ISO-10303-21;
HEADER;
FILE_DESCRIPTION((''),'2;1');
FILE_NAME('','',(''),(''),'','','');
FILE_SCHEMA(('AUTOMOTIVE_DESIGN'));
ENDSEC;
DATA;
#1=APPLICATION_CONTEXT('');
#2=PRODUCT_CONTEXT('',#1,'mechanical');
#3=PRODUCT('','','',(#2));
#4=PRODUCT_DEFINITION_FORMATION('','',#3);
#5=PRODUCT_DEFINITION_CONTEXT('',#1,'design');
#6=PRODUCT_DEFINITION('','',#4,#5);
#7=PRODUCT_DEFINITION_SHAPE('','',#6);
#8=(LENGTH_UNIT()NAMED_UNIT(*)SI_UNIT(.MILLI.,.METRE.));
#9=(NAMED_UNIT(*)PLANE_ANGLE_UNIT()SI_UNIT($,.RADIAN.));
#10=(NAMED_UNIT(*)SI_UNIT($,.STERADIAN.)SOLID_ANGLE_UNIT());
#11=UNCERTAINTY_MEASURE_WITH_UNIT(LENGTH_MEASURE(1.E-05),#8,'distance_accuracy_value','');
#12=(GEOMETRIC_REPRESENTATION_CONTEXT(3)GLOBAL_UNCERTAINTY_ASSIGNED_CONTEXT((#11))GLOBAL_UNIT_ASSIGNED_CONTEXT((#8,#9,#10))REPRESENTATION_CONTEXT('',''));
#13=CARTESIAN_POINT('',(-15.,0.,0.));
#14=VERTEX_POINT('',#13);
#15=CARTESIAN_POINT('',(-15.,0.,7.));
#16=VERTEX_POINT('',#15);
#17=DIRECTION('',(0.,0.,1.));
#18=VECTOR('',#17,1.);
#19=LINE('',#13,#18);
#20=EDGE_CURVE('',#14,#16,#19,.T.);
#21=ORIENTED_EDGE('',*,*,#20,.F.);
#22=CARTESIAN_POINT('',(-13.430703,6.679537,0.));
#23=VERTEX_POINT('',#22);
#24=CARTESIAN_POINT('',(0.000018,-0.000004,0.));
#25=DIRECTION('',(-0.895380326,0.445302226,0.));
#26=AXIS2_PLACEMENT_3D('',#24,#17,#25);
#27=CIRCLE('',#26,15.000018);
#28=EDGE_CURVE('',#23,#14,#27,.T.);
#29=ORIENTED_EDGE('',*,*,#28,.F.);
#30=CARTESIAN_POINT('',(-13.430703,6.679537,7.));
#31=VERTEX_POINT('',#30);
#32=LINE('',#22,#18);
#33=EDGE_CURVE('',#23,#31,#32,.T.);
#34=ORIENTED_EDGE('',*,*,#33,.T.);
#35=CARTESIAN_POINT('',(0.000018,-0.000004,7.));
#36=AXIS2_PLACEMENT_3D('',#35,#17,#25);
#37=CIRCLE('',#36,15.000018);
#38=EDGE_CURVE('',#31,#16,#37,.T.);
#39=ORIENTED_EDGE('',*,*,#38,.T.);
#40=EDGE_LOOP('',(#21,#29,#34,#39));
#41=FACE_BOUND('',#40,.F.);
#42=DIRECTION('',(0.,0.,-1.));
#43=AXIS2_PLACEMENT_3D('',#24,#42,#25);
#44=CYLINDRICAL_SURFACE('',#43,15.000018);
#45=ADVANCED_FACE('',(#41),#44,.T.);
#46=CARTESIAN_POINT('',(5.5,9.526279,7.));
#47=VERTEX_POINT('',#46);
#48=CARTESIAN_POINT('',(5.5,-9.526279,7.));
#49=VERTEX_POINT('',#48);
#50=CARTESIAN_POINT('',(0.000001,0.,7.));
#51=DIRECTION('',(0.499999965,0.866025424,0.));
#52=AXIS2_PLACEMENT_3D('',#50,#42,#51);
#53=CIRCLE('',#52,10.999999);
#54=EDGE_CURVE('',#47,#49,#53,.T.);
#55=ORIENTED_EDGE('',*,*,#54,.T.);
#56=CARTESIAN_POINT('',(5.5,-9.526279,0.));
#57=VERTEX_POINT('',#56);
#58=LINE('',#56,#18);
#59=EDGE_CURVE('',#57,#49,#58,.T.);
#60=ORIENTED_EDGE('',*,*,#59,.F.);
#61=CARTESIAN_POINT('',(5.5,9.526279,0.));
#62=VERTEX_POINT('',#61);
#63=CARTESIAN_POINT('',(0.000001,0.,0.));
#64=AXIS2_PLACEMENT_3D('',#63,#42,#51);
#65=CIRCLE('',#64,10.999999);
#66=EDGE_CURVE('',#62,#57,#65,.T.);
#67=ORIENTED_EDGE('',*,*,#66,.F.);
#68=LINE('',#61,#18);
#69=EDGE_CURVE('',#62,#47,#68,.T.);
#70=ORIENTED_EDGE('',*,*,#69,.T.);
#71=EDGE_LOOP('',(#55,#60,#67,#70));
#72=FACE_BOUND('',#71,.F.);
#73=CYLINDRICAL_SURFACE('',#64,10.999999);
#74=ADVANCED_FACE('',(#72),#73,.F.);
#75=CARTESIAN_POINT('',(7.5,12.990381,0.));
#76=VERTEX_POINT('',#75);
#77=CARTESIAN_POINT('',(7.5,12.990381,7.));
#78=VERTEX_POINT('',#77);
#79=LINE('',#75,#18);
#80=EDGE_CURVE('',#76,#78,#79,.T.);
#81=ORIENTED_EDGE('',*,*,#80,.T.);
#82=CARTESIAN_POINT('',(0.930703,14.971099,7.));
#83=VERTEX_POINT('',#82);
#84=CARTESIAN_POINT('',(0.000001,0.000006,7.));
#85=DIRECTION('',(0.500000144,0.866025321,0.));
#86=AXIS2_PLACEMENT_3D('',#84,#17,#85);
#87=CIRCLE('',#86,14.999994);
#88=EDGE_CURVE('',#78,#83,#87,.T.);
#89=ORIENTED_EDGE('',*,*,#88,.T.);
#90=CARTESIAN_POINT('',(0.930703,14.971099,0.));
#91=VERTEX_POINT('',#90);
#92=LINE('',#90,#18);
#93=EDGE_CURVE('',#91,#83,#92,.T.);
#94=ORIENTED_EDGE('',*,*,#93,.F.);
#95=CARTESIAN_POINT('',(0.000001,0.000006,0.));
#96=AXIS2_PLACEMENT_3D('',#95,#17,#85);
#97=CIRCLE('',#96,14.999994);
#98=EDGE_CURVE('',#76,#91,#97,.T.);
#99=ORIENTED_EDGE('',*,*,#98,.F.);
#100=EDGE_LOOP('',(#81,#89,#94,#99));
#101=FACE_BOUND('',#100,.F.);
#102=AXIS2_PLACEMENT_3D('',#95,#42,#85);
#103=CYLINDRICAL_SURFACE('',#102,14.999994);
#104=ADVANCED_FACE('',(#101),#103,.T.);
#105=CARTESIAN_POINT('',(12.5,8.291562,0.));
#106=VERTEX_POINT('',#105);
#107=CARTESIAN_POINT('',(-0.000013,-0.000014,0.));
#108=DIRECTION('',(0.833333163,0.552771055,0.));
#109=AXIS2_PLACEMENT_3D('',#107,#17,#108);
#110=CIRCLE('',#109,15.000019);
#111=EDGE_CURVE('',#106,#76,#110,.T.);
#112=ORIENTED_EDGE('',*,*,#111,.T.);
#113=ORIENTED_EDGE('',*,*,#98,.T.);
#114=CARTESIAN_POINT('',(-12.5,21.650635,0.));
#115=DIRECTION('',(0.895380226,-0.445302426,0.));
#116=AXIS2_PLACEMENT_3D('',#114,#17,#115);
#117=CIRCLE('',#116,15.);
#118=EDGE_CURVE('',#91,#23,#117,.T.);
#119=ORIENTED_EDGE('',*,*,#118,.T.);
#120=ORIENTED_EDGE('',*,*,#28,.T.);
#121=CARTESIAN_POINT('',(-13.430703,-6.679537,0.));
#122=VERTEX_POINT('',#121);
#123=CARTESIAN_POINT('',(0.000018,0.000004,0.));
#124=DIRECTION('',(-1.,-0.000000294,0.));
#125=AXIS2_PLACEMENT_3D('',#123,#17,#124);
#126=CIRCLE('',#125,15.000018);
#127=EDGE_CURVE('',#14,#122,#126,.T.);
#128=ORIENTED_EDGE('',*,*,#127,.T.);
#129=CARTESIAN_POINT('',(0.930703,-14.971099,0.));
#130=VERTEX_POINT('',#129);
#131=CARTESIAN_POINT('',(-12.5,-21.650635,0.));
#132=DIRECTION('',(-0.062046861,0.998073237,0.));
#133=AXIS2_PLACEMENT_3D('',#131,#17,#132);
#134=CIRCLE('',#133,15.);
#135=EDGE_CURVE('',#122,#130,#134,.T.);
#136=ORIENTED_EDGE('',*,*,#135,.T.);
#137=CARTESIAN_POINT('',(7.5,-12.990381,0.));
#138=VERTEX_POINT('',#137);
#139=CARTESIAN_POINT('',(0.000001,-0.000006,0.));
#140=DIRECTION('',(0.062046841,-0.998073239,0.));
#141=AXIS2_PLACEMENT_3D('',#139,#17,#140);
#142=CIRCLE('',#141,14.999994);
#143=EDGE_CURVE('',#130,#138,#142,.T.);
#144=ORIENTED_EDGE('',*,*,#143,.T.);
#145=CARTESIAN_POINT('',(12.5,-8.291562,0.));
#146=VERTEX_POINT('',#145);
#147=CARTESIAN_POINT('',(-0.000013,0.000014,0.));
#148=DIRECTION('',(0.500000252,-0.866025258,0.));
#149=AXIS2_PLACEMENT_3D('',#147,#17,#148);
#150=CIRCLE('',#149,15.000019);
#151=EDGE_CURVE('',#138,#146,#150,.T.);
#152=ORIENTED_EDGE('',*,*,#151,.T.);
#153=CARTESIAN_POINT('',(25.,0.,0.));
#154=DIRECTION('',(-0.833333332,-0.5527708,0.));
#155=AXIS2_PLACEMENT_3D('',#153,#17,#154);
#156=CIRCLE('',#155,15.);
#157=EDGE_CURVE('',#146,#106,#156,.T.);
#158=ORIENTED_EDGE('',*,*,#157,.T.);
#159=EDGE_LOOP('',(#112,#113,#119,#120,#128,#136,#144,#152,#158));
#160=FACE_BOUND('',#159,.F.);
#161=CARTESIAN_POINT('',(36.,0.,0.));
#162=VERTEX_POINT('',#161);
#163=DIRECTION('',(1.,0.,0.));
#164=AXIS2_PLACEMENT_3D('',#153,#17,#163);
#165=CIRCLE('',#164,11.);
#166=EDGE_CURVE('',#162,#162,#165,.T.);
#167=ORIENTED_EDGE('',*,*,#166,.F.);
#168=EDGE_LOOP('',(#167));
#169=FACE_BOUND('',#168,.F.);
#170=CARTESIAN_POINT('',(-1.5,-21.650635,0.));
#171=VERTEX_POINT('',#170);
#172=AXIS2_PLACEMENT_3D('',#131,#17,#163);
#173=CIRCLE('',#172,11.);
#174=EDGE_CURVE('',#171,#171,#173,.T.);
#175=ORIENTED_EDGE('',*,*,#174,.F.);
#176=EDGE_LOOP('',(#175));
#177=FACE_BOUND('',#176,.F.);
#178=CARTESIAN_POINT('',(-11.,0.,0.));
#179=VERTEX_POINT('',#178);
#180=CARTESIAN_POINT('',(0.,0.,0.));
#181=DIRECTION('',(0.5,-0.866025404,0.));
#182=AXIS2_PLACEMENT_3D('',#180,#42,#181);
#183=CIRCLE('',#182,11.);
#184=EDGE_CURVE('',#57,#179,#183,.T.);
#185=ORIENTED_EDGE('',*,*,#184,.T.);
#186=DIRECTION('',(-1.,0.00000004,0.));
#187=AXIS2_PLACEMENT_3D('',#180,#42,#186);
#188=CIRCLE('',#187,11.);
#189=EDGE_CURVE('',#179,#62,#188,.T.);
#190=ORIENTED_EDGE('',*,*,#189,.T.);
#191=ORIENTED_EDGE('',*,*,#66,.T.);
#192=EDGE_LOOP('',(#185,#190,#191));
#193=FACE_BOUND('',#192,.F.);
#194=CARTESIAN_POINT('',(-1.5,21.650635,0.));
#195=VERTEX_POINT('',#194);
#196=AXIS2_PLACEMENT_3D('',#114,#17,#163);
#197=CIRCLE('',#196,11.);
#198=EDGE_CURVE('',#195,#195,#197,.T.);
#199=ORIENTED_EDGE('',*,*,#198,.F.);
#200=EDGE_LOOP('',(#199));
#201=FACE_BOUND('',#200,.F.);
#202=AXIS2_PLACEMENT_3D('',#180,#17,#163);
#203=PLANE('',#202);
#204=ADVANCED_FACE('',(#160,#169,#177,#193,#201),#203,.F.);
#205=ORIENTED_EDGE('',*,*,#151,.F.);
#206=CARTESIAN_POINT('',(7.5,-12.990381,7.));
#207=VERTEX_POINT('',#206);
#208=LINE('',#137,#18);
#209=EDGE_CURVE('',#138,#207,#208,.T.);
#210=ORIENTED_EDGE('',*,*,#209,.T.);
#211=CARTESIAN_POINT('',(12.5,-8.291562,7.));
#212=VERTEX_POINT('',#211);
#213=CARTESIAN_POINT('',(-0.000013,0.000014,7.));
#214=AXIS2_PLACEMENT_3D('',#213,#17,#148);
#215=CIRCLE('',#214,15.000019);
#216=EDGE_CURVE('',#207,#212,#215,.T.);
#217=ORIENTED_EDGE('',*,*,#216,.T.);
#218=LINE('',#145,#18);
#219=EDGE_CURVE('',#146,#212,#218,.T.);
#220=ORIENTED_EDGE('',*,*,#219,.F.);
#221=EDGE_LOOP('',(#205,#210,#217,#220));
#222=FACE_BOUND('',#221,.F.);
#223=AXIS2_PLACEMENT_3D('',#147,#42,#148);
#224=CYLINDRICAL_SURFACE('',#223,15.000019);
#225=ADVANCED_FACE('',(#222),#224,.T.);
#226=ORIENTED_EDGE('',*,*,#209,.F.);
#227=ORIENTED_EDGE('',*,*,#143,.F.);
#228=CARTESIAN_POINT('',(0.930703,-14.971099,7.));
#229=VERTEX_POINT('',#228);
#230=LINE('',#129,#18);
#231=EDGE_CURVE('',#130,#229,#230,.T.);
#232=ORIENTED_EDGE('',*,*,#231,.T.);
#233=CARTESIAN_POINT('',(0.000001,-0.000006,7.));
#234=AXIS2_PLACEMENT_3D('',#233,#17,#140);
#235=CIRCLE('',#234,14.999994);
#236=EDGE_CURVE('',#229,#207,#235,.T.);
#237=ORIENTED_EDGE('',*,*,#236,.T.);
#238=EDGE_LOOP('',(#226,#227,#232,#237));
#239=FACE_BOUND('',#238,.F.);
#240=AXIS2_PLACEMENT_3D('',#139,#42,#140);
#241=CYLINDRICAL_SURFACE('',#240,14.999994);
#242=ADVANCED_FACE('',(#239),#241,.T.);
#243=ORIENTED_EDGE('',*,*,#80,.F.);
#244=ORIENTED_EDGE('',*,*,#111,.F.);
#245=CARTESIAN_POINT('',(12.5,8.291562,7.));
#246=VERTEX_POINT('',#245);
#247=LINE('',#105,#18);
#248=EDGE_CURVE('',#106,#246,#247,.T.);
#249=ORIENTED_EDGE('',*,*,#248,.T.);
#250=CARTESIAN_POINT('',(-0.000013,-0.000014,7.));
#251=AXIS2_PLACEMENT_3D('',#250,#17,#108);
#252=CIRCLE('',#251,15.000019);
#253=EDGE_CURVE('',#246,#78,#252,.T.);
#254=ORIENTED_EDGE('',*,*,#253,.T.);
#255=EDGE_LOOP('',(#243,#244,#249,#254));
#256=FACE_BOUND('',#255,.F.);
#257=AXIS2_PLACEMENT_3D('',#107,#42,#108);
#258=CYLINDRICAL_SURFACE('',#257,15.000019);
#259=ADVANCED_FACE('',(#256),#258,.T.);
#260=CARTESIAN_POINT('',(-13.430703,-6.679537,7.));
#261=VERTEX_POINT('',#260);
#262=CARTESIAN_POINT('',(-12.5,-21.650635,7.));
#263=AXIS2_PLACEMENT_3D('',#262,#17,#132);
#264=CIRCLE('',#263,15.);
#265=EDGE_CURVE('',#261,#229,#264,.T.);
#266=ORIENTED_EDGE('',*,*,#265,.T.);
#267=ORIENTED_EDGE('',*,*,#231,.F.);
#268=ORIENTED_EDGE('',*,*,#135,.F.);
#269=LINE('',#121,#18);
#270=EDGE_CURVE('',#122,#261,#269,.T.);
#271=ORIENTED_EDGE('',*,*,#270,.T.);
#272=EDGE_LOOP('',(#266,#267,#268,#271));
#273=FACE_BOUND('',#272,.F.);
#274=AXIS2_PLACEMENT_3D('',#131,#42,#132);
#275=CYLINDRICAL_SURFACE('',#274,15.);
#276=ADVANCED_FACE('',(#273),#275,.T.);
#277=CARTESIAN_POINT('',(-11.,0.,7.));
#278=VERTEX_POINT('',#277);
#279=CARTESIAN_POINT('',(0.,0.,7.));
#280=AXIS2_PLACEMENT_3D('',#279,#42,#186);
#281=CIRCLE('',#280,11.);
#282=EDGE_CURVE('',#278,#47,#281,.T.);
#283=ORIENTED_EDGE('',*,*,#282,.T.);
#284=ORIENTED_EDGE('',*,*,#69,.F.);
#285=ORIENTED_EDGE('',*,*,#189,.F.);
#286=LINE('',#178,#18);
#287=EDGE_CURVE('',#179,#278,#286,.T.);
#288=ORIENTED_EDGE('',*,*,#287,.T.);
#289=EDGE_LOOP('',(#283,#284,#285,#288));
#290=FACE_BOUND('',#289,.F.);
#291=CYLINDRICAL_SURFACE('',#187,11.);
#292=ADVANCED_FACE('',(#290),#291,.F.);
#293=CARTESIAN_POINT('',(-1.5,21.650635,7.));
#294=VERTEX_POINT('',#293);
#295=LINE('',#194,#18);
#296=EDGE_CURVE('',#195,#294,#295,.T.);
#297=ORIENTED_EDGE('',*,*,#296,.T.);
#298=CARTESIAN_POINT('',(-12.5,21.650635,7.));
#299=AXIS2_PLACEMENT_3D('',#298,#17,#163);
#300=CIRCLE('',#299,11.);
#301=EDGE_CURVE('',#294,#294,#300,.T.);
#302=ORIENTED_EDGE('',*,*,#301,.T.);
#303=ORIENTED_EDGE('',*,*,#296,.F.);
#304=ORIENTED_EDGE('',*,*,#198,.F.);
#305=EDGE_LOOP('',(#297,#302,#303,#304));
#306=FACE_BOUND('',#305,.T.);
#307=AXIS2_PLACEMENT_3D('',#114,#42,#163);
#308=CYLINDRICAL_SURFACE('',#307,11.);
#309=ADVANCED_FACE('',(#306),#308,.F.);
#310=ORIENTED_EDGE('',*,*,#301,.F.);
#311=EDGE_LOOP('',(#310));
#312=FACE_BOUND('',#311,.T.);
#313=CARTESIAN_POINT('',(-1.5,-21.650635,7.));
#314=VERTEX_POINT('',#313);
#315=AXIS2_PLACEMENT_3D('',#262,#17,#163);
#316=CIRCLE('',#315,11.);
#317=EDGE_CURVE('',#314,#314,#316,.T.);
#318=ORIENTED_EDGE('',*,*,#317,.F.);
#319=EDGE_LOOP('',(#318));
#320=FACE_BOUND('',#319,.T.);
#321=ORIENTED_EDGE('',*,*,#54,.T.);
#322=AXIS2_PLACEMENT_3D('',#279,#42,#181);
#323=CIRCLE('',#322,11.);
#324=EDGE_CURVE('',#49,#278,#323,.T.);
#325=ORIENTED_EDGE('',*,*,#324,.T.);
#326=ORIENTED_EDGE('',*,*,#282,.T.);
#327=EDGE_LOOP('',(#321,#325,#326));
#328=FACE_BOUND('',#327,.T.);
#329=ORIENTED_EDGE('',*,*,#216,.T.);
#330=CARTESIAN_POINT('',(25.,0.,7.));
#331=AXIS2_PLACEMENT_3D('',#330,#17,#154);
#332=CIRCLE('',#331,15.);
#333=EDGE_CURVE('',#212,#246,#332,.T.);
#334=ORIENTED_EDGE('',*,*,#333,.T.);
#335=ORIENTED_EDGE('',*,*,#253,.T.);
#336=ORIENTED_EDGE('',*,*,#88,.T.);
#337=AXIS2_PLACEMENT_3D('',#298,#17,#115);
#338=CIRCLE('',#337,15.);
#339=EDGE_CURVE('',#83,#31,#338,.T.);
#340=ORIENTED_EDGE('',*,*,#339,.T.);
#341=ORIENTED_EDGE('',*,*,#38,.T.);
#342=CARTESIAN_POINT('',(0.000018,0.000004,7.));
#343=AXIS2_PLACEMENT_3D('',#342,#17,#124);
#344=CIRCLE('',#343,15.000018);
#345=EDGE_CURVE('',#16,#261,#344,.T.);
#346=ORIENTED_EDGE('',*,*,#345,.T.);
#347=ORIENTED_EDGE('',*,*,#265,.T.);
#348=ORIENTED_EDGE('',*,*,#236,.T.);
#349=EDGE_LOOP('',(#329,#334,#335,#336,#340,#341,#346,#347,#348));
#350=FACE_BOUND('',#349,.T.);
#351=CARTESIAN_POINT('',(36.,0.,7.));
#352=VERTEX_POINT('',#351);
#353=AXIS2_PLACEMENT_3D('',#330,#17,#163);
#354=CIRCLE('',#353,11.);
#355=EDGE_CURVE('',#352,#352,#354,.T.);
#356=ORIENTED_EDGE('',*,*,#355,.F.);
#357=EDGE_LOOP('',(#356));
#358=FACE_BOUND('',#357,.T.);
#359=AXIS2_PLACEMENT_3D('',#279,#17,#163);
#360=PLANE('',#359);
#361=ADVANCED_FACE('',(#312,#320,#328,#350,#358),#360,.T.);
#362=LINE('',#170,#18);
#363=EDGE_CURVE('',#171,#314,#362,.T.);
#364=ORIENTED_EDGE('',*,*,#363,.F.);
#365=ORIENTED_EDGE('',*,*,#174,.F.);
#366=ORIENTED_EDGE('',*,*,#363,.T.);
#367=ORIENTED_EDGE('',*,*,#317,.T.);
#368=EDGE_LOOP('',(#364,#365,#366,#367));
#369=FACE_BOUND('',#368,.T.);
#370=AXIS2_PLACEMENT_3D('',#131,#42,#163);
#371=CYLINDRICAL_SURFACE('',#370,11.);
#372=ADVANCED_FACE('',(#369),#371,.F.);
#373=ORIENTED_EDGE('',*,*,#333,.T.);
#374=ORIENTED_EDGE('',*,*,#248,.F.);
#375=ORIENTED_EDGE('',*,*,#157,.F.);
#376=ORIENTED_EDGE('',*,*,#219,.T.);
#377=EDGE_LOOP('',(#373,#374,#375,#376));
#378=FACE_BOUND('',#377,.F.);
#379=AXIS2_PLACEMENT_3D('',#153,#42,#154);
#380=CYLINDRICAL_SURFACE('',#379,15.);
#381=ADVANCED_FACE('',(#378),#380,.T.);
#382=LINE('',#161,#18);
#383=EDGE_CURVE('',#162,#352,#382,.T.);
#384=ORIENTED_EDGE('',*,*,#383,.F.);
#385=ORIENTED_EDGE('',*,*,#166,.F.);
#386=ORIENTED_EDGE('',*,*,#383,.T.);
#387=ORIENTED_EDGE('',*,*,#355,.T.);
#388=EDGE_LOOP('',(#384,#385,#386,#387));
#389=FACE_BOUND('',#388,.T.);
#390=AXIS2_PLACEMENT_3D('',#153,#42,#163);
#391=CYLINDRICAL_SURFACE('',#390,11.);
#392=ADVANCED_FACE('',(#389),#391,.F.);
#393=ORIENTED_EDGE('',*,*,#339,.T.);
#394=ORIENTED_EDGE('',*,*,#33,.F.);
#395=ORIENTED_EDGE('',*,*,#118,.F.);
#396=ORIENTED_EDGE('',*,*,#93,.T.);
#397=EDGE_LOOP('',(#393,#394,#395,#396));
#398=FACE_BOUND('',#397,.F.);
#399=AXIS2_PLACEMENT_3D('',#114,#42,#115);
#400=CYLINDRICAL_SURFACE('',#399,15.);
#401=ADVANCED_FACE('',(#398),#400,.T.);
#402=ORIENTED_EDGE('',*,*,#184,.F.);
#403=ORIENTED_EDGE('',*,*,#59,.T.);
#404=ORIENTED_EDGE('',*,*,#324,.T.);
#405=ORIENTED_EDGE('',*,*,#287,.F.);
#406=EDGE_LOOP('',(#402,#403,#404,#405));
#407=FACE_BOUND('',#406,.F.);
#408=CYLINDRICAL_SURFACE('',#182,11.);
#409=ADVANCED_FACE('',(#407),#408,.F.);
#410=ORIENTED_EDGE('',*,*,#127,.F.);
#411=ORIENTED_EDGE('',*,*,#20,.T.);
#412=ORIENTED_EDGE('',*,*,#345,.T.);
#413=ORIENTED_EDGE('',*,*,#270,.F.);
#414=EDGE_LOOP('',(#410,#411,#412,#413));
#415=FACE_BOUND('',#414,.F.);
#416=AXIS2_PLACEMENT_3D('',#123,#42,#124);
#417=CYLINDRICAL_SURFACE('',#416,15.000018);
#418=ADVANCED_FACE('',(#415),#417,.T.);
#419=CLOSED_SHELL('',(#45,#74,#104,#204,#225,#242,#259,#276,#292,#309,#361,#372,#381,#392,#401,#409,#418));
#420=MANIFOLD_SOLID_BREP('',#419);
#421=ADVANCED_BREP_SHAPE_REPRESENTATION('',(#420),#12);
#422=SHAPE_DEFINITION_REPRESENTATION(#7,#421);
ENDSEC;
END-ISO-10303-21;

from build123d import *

# Parameters (mm, degrees)
F0_R     = 11
F1_DEPTH = 7


with BuildPart() as f1:
    # F0 (on Top) → F1 (new body)
    with BuildSketch(Plane.XY):
        with BuildLine():
            ThreePointArc((7.5, -12.990381), (10.272279, -10.930703), (12.5, -8.291562))
            ThreePointArc((12.5, -8.291562), (40, 0), (12.5, 8.291562))
            ThreePointArc((12.5, 8.291562), (10.272279, 10.930703), (7.5, 12.990381))
            ThreePointArc((7.5, 12.990381), (4.330127, 14.361407), (0.930703, 14.971099))
            ThreePointArc((0.930703, 14.971099), (-20, 34.641016), (-13.430703, 6.679537))
            ThreePointArc((-13.430703, 6.679537), (-14.602406, 3.430703), (-15, 0))
            ThreePointArc((-15, 0), (-14.602406, -3.430703), (-13.430703, -6.679537))
            ThreePointArc((-13.430703, -6.679537), (-20, -34.641016), (0.930703, -14.971099))
            ThreePointArc((0.930703, -14.971099), (4.330127, -14.361407), (7.5, -12.990381))
        make_face()
        with Locations((-12.5, -21.650635)):
            Circle(F0_R, mode=Mode.SUBTRACT)
        with BuildLine():
            ThreePointArc((5.5, 9.526279), (11, 0), (5.5, -9.526279))
            ThreePointArc((5.5, -9.526279), (-5.5, -9.526279), (-11, 0))
            ThreePointArc((-11, 0), (-5.5, 9.526279), (5.5, 9.526279))
        make_face(mode=Mode.SUBTRACT)
        with Locations((25, 0)):
            Circle(F0_R, mode=Mode.SUBTRACT)
        with Locations((-12.5, 21.650635)):
            Circle(F0_R, mode=Mode.SUBTRACT)
    extrude(amount=F1_DEPTH)


solid = f1.part
